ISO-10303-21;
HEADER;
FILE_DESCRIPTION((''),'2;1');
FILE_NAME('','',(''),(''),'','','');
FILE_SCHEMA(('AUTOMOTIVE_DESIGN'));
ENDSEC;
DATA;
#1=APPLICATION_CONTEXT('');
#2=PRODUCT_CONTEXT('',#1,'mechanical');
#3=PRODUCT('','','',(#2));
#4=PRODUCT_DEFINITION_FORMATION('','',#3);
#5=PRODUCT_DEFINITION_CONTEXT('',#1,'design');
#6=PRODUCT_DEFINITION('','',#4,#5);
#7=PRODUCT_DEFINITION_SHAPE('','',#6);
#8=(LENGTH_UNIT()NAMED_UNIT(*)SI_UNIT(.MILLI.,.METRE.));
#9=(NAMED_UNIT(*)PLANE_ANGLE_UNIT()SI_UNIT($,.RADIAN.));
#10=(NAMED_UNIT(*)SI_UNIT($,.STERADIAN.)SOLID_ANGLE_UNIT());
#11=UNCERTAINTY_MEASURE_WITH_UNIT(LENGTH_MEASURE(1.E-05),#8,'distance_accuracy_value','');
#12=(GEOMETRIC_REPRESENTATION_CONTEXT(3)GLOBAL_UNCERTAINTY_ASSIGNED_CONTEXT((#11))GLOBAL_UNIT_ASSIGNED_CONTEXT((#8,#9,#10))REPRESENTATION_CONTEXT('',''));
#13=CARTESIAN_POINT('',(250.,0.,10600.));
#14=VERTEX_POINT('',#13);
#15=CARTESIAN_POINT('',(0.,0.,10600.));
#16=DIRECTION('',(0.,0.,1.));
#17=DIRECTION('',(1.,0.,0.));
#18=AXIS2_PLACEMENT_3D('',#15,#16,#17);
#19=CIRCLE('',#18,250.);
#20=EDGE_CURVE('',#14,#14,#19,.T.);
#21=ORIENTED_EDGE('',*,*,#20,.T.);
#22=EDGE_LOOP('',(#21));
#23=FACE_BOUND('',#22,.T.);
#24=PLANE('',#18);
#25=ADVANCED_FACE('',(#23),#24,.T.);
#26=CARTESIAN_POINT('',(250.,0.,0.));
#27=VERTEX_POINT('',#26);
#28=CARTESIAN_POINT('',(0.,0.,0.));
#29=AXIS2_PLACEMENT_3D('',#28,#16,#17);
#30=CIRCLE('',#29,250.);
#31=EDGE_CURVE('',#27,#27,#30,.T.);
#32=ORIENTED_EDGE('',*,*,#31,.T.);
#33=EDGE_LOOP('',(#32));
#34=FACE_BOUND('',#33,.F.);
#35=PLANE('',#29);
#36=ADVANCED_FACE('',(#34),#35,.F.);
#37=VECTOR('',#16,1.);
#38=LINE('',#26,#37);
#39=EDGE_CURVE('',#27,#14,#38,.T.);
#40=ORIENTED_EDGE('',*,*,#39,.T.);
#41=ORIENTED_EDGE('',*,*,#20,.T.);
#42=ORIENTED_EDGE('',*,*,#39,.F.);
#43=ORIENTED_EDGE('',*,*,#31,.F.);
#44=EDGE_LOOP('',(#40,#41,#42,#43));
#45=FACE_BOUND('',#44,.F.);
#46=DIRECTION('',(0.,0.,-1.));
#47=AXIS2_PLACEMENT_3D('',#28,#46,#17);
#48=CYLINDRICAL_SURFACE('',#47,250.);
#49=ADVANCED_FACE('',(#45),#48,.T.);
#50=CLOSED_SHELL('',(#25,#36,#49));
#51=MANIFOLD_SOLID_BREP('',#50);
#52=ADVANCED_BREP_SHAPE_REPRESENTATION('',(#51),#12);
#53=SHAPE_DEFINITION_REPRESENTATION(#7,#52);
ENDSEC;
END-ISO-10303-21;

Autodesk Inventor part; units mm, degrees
ref_plane "YZ Plane" through (0, 0, 0) normal (1, 0, 0) x (0, 1, 0)
ref_plane "XZ Plane" through (0, 0, 0) normal (0, 1, 0) x (-1, 0, 0)
ref_plane "XY Plane" through (0, 0, 0) normal (0, 0, 1) x (1, 0, 0)
sketch "Skizze1" plane through (0, 0, 0) normal (0, 0, 1) x (1, 0, 0)
  line L0 (-350, 0) -> (350, 0) construction
  line L1 (0, -350) -> (0, 350) construction
  circle A0 centre (0, 0) radius 250
  dimension "d0" = 500
extrude "Extrusion1" add sketch "Skizze1" along normal blind 10600
properties part number "Hintere Verbindung"
